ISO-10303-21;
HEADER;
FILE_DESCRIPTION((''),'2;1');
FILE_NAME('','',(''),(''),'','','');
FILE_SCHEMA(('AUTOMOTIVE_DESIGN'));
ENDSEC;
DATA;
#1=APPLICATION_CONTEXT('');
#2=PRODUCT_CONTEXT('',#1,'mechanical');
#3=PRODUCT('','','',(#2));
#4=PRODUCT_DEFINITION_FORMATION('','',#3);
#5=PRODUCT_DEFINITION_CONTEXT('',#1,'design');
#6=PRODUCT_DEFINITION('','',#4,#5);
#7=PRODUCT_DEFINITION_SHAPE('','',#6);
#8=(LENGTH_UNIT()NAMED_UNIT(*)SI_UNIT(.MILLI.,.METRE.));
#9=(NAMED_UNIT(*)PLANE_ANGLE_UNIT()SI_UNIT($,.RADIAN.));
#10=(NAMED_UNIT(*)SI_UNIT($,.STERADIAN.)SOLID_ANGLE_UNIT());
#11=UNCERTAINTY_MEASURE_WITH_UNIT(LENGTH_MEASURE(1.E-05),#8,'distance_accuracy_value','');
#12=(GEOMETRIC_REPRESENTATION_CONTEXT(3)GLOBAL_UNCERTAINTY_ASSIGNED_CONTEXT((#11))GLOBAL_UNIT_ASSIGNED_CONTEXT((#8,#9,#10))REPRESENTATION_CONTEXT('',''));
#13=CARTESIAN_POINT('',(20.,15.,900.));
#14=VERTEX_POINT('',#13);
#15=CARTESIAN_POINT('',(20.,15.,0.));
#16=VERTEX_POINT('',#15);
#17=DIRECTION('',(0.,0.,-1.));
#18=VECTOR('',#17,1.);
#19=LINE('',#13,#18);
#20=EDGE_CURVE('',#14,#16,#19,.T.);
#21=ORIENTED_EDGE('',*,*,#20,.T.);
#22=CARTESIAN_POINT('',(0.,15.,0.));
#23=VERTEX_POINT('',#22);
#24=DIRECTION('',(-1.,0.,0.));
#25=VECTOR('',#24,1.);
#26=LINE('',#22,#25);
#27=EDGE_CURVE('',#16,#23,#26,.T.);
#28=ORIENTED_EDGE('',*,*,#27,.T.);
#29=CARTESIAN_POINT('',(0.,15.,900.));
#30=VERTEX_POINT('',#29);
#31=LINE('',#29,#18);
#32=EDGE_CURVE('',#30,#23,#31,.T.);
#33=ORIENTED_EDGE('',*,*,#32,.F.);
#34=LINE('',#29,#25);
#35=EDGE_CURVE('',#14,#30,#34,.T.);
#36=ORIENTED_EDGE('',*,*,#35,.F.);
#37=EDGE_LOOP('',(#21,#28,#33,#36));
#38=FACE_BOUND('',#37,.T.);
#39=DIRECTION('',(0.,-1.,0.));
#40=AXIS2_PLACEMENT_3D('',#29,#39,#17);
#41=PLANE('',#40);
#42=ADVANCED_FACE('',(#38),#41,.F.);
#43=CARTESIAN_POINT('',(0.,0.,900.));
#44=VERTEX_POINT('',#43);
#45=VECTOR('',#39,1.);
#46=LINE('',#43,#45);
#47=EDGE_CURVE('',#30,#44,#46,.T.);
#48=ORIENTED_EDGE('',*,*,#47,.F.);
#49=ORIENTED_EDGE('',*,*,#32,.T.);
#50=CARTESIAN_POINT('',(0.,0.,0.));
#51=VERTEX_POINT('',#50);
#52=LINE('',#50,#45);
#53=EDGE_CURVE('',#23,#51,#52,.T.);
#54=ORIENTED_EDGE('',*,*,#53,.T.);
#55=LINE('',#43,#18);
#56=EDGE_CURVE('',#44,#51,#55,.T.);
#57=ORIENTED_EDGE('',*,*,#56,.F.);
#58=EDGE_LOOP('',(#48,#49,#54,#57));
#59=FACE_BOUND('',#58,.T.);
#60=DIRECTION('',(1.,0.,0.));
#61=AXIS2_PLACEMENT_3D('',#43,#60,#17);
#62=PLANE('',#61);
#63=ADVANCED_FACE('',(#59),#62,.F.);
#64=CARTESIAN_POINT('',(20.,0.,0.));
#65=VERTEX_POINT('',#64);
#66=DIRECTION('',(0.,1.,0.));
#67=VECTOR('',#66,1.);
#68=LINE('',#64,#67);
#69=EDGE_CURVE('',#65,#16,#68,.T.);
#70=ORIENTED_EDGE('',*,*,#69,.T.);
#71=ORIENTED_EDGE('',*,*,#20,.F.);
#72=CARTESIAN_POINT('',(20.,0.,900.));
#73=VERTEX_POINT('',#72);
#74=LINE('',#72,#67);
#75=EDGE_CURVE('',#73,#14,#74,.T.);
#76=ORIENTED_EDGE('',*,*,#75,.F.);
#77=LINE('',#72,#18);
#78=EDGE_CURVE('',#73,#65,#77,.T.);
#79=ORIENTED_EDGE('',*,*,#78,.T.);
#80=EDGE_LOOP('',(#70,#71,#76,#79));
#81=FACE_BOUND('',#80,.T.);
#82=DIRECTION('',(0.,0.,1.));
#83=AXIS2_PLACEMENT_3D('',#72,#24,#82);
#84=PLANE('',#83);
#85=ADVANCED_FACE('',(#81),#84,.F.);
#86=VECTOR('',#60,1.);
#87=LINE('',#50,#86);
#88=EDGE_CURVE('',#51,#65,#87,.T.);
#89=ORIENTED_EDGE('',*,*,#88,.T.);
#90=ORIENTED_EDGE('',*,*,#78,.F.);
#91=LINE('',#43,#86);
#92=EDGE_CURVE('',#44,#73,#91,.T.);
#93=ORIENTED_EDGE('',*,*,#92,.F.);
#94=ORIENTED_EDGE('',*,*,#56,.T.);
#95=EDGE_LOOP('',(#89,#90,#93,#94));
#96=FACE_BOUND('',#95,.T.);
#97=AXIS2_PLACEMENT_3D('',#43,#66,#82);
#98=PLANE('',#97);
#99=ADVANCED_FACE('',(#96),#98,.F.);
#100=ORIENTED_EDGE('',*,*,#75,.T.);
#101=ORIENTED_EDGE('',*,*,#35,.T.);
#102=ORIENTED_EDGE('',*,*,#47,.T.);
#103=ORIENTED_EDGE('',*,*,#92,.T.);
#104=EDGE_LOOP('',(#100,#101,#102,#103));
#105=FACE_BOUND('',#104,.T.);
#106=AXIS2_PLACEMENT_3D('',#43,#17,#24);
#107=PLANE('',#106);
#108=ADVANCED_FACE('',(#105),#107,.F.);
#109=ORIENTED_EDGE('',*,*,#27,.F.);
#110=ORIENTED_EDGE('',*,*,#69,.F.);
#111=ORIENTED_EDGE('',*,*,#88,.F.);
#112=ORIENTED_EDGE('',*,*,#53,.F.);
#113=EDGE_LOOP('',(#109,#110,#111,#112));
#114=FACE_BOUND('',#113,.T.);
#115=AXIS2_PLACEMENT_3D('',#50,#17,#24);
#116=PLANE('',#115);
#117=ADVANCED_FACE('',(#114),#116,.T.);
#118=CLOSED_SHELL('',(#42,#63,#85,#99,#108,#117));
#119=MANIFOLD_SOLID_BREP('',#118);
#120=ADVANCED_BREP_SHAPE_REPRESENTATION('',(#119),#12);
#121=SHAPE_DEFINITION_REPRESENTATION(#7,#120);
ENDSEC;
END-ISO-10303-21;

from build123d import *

# Parameters (mm, degrees)
SKETCH1_W           = 2
SKETCH1_H           = 1.5
BOSS_EXTRUDE1_DEPTH = 90
SCALE1_SCALE        = 10


with BuildPart() as part:
    # Sketch1 → Boss-Extrude1 (new body)
    with BuildSketch(Plane.XY):
        with Locations((1, 0.75)):
            Rectangle(SKETCH1_W, SKETCH1_H)
    extrude(amount=BOSS_EXTRUDE1_DEPTH)


with BuildPart() as part_1:
    # Scale1: scaled about (0, 0, 0)
    add(part.part.scale(SCALE1_SCALE))


solid = part_1.part
